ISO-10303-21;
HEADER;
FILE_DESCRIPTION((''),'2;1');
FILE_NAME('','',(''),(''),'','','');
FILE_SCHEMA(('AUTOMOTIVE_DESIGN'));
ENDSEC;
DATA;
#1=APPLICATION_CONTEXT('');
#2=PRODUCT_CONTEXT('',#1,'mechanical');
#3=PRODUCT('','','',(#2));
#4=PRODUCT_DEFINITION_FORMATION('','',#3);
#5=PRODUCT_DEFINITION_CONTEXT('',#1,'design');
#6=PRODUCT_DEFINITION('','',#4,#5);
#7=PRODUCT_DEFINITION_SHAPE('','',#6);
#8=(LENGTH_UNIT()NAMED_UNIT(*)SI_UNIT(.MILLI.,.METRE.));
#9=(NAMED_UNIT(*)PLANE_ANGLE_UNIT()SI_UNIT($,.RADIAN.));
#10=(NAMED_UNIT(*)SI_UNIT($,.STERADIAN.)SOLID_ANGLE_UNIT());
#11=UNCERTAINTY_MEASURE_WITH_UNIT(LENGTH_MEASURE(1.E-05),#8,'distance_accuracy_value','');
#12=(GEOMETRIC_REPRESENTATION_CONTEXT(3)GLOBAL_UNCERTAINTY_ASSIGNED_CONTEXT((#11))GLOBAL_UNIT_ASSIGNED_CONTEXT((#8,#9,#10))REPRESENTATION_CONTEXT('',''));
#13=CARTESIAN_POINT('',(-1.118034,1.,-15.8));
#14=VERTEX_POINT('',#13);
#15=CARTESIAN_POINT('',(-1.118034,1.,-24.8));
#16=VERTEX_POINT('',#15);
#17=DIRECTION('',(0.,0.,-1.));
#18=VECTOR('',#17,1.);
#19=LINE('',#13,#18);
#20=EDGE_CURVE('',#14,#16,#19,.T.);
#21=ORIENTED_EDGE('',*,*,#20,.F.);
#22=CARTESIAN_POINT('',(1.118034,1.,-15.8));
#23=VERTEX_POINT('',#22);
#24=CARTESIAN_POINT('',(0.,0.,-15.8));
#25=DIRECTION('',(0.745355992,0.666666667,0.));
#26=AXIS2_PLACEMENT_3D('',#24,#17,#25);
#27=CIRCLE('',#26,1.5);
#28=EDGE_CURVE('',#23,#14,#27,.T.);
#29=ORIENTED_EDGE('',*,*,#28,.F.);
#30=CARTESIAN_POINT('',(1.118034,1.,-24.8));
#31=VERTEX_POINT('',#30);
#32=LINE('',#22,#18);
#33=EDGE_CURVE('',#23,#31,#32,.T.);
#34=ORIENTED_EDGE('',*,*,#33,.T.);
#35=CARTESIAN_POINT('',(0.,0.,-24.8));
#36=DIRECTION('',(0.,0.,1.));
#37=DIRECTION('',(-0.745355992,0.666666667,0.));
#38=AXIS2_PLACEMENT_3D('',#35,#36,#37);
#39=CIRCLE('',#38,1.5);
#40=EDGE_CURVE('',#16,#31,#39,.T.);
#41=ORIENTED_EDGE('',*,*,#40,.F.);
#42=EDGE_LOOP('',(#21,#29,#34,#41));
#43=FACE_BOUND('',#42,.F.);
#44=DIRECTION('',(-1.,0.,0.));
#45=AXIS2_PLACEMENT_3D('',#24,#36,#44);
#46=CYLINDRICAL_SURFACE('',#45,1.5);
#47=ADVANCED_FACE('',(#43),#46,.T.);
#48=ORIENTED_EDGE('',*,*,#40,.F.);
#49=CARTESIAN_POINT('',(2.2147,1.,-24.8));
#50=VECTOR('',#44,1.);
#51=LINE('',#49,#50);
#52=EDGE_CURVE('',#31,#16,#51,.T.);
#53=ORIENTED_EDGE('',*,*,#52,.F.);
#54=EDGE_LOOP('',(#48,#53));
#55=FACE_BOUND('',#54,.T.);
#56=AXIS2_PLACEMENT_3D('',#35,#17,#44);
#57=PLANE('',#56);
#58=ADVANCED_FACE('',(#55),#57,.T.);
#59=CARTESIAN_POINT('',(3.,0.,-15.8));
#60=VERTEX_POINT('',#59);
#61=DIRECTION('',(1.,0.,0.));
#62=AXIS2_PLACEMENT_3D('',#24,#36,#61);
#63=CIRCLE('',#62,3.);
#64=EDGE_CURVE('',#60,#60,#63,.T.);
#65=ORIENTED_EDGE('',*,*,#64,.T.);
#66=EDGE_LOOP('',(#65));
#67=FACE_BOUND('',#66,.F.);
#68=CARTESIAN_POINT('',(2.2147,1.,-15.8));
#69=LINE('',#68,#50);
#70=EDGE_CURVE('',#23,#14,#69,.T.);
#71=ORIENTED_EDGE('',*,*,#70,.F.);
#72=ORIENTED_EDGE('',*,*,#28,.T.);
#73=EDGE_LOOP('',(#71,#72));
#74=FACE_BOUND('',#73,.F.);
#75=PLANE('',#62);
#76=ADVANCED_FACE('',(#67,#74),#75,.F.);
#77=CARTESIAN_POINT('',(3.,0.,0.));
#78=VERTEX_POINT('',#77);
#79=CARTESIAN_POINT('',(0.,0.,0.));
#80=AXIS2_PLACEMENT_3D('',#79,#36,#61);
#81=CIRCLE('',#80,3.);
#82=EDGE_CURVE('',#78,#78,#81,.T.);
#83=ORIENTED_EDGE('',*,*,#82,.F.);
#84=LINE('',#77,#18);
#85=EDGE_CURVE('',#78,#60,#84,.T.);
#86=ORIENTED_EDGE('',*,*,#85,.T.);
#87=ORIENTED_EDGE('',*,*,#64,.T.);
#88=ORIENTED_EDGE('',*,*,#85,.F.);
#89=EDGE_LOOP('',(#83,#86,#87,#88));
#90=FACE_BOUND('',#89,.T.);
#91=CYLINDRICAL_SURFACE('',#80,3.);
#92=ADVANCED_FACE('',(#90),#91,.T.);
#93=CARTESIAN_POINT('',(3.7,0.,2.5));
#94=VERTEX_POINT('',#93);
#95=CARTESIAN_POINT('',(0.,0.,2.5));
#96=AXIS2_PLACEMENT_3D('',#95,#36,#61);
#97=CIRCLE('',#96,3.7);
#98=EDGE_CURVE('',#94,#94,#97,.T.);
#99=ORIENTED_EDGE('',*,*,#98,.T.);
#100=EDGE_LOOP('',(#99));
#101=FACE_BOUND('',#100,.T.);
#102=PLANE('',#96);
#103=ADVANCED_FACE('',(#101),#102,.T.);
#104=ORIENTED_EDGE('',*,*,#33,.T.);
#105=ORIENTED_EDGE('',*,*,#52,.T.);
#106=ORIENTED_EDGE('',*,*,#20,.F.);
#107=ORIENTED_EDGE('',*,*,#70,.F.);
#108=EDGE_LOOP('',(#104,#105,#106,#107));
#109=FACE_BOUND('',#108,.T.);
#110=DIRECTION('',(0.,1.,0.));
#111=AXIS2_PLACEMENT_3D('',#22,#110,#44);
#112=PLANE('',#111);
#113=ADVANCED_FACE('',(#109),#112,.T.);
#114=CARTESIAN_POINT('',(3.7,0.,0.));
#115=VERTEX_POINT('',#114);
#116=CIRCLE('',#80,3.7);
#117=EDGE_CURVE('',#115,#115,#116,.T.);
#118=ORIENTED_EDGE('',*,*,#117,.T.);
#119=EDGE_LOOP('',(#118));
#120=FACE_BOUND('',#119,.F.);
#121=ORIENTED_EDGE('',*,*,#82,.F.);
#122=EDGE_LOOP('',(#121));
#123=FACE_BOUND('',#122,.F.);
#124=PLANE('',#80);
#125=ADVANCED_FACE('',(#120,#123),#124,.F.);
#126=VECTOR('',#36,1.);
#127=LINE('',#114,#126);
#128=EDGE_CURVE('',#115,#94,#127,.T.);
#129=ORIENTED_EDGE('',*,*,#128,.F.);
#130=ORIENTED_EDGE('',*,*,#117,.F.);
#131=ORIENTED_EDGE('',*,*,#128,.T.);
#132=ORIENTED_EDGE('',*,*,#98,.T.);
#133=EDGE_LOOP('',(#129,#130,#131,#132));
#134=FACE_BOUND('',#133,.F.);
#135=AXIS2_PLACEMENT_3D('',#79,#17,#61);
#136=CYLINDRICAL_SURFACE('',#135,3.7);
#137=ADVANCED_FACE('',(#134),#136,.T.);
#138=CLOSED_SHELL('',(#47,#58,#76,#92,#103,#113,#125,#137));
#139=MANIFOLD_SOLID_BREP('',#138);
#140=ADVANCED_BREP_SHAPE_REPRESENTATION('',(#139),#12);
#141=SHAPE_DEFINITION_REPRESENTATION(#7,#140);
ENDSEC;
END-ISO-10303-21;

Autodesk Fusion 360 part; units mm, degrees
sketch "Sketch1" plane through (0, 0, 0) normal (0, 0, 1) x (1, 0, 0)
  circle A0 centre (0, 0) radius 3
  circle A1 centre (0, 0) radius 3.7
  dimension "d1" = 6
  dimension "d2" = 7.4
extrude "Extrude1" add sketch "Sketch1" along normal blind 2.5 contours A0 | A1
extrude "Extrude2" add sketch "Sketch1" against normal blind 15.8 contours A0
sketch "Sketch2" plane through (0, 0, -15.8) normal (0, 0, -1) x (-1, 0, 0)
  circle A0 centre (0, 0) radius 3
  circle A1 centre (0, 0) radius 1.5
  line L0 (-2.2147, 1) -> (2, 1)
  dimension "d7" = 3
  dimension "d8" = 1
extrude "Extrude3" add sketch "Sketch2" along normal blind 9 contours A1 L0 picked at (0.3583, 0.0454)
